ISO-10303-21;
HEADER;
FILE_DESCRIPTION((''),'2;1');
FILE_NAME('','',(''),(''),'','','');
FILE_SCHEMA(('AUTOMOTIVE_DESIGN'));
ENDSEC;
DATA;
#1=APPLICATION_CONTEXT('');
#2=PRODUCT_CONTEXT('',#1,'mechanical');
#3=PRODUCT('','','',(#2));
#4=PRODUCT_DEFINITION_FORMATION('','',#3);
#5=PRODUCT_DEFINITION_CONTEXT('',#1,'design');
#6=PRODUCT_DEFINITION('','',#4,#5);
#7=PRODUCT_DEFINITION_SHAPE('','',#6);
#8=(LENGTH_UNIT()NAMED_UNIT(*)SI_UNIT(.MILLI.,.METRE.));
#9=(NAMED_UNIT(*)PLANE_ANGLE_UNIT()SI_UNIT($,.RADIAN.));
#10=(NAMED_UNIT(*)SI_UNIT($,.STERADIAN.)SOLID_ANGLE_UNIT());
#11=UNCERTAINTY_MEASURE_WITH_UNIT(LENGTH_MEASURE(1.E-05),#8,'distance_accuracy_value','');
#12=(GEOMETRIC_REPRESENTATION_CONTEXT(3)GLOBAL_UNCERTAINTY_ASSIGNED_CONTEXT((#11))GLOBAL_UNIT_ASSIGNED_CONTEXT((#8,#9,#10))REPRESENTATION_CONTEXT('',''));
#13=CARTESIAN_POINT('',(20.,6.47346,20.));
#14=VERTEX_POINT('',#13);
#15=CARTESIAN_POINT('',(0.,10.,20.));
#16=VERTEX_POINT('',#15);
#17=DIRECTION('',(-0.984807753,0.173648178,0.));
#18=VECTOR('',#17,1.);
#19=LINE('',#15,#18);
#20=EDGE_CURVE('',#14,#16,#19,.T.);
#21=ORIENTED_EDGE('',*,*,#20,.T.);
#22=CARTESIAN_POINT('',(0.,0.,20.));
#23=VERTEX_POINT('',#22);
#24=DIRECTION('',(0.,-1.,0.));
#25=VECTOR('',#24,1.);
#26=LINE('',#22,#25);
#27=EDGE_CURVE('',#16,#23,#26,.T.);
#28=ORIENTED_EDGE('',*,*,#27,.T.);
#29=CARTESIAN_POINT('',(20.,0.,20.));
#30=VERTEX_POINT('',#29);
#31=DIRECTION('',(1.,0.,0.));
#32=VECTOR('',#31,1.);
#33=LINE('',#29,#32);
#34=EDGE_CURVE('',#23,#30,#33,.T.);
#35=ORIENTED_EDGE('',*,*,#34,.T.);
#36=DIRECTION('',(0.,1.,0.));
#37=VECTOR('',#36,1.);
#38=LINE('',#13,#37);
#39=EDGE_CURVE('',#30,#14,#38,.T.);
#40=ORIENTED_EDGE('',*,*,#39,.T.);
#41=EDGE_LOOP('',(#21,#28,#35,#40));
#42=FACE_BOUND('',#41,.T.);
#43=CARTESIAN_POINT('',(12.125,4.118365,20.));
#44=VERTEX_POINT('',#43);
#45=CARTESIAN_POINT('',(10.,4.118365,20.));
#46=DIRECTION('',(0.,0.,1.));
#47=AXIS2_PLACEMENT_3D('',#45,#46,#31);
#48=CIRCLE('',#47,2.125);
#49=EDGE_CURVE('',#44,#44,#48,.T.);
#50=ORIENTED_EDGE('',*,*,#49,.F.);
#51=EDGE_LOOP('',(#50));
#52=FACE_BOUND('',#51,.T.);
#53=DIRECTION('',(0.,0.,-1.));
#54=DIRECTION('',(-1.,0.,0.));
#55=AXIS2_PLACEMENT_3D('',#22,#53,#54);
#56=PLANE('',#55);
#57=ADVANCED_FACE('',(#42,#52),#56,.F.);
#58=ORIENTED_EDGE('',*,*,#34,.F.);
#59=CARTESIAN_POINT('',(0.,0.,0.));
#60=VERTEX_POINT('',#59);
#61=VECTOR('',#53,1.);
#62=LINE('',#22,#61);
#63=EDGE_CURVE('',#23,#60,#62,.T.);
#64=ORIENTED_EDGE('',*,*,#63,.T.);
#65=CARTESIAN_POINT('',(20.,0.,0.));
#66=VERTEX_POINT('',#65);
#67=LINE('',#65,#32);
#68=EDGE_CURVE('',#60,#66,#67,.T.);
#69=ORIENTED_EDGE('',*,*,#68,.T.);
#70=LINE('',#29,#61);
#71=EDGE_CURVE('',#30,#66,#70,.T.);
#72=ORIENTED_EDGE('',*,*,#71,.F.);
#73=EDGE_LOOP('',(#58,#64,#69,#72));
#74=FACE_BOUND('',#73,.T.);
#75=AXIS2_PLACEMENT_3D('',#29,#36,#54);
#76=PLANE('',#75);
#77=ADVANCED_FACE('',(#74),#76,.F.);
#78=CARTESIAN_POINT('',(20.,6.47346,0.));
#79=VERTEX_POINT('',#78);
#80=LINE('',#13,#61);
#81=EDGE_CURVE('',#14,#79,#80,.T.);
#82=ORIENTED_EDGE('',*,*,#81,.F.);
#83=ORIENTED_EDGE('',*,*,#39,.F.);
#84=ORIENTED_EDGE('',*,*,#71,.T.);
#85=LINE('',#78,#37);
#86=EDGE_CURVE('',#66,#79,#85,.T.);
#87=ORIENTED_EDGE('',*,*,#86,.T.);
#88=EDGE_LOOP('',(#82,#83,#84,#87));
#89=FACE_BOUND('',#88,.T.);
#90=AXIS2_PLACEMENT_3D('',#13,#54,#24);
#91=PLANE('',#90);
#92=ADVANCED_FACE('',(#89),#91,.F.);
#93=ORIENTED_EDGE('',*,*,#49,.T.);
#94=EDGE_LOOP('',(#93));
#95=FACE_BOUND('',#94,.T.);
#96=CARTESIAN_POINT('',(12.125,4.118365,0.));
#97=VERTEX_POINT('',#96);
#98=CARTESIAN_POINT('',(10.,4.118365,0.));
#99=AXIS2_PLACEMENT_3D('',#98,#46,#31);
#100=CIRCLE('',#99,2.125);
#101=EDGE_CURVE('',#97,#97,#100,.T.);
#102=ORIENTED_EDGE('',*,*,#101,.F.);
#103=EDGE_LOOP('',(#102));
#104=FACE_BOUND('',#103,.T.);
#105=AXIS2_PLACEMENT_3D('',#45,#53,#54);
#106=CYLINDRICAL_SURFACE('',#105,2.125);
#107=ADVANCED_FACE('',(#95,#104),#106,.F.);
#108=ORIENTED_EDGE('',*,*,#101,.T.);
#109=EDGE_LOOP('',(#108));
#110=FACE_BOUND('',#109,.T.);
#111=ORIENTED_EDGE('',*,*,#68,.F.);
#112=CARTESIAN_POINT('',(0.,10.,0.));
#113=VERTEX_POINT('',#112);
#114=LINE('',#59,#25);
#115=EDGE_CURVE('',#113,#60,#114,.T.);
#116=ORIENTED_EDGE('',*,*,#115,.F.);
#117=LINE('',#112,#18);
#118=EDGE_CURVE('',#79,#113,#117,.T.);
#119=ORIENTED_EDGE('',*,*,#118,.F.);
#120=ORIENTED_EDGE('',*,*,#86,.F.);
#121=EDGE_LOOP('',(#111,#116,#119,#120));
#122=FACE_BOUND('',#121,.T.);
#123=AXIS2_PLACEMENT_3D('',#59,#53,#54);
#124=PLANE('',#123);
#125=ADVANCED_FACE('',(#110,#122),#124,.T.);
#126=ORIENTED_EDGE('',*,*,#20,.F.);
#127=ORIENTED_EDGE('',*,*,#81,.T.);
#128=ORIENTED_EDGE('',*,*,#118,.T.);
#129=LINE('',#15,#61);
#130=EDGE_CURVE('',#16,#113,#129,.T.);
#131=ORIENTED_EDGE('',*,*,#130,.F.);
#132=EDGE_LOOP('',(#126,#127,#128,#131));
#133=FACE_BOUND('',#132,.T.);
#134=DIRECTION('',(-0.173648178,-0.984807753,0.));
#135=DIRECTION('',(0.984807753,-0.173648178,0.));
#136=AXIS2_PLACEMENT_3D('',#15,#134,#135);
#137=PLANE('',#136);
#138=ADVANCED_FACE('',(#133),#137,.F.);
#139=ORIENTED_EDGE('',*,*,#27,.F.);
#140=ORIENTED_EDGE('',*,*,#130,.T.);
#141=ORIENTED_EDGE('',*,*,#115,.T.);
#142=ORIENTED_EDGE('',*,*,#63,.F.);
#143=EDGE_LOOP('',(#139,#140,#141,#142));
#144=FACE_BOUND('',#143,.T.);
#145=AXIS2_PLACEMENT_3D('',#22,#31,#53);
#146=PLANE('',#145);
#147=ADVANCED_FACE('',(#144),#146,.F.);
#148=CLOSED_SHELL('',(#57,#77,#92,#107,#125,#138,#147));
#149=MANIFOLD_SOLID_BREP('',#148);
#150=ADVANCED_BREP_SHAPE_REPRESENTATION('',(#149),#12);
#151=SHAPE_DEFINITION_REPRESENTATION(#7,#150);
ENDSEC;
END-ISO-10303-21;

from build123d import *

# Parameters (mm, degrees)
SKETCH_1_R      = 2.125
EXTRUDE_1_DEPTH = 20


with BuildPart() as part:
    # 草图1 → 凸台-拉伸1 (new body)
    with BuildSketch(Plane.XY):
        Polygon((0, 0), (0, 10), (20, 6.473460386), (20, 0), align=None)
        with Locations((10, 4.118365096)):
            Circle(SKETCH_1_R, mode=Mode.SUBTRACT)
    extrude(amount=EXTRUDE_1_DEPTH)


solid = part.part
